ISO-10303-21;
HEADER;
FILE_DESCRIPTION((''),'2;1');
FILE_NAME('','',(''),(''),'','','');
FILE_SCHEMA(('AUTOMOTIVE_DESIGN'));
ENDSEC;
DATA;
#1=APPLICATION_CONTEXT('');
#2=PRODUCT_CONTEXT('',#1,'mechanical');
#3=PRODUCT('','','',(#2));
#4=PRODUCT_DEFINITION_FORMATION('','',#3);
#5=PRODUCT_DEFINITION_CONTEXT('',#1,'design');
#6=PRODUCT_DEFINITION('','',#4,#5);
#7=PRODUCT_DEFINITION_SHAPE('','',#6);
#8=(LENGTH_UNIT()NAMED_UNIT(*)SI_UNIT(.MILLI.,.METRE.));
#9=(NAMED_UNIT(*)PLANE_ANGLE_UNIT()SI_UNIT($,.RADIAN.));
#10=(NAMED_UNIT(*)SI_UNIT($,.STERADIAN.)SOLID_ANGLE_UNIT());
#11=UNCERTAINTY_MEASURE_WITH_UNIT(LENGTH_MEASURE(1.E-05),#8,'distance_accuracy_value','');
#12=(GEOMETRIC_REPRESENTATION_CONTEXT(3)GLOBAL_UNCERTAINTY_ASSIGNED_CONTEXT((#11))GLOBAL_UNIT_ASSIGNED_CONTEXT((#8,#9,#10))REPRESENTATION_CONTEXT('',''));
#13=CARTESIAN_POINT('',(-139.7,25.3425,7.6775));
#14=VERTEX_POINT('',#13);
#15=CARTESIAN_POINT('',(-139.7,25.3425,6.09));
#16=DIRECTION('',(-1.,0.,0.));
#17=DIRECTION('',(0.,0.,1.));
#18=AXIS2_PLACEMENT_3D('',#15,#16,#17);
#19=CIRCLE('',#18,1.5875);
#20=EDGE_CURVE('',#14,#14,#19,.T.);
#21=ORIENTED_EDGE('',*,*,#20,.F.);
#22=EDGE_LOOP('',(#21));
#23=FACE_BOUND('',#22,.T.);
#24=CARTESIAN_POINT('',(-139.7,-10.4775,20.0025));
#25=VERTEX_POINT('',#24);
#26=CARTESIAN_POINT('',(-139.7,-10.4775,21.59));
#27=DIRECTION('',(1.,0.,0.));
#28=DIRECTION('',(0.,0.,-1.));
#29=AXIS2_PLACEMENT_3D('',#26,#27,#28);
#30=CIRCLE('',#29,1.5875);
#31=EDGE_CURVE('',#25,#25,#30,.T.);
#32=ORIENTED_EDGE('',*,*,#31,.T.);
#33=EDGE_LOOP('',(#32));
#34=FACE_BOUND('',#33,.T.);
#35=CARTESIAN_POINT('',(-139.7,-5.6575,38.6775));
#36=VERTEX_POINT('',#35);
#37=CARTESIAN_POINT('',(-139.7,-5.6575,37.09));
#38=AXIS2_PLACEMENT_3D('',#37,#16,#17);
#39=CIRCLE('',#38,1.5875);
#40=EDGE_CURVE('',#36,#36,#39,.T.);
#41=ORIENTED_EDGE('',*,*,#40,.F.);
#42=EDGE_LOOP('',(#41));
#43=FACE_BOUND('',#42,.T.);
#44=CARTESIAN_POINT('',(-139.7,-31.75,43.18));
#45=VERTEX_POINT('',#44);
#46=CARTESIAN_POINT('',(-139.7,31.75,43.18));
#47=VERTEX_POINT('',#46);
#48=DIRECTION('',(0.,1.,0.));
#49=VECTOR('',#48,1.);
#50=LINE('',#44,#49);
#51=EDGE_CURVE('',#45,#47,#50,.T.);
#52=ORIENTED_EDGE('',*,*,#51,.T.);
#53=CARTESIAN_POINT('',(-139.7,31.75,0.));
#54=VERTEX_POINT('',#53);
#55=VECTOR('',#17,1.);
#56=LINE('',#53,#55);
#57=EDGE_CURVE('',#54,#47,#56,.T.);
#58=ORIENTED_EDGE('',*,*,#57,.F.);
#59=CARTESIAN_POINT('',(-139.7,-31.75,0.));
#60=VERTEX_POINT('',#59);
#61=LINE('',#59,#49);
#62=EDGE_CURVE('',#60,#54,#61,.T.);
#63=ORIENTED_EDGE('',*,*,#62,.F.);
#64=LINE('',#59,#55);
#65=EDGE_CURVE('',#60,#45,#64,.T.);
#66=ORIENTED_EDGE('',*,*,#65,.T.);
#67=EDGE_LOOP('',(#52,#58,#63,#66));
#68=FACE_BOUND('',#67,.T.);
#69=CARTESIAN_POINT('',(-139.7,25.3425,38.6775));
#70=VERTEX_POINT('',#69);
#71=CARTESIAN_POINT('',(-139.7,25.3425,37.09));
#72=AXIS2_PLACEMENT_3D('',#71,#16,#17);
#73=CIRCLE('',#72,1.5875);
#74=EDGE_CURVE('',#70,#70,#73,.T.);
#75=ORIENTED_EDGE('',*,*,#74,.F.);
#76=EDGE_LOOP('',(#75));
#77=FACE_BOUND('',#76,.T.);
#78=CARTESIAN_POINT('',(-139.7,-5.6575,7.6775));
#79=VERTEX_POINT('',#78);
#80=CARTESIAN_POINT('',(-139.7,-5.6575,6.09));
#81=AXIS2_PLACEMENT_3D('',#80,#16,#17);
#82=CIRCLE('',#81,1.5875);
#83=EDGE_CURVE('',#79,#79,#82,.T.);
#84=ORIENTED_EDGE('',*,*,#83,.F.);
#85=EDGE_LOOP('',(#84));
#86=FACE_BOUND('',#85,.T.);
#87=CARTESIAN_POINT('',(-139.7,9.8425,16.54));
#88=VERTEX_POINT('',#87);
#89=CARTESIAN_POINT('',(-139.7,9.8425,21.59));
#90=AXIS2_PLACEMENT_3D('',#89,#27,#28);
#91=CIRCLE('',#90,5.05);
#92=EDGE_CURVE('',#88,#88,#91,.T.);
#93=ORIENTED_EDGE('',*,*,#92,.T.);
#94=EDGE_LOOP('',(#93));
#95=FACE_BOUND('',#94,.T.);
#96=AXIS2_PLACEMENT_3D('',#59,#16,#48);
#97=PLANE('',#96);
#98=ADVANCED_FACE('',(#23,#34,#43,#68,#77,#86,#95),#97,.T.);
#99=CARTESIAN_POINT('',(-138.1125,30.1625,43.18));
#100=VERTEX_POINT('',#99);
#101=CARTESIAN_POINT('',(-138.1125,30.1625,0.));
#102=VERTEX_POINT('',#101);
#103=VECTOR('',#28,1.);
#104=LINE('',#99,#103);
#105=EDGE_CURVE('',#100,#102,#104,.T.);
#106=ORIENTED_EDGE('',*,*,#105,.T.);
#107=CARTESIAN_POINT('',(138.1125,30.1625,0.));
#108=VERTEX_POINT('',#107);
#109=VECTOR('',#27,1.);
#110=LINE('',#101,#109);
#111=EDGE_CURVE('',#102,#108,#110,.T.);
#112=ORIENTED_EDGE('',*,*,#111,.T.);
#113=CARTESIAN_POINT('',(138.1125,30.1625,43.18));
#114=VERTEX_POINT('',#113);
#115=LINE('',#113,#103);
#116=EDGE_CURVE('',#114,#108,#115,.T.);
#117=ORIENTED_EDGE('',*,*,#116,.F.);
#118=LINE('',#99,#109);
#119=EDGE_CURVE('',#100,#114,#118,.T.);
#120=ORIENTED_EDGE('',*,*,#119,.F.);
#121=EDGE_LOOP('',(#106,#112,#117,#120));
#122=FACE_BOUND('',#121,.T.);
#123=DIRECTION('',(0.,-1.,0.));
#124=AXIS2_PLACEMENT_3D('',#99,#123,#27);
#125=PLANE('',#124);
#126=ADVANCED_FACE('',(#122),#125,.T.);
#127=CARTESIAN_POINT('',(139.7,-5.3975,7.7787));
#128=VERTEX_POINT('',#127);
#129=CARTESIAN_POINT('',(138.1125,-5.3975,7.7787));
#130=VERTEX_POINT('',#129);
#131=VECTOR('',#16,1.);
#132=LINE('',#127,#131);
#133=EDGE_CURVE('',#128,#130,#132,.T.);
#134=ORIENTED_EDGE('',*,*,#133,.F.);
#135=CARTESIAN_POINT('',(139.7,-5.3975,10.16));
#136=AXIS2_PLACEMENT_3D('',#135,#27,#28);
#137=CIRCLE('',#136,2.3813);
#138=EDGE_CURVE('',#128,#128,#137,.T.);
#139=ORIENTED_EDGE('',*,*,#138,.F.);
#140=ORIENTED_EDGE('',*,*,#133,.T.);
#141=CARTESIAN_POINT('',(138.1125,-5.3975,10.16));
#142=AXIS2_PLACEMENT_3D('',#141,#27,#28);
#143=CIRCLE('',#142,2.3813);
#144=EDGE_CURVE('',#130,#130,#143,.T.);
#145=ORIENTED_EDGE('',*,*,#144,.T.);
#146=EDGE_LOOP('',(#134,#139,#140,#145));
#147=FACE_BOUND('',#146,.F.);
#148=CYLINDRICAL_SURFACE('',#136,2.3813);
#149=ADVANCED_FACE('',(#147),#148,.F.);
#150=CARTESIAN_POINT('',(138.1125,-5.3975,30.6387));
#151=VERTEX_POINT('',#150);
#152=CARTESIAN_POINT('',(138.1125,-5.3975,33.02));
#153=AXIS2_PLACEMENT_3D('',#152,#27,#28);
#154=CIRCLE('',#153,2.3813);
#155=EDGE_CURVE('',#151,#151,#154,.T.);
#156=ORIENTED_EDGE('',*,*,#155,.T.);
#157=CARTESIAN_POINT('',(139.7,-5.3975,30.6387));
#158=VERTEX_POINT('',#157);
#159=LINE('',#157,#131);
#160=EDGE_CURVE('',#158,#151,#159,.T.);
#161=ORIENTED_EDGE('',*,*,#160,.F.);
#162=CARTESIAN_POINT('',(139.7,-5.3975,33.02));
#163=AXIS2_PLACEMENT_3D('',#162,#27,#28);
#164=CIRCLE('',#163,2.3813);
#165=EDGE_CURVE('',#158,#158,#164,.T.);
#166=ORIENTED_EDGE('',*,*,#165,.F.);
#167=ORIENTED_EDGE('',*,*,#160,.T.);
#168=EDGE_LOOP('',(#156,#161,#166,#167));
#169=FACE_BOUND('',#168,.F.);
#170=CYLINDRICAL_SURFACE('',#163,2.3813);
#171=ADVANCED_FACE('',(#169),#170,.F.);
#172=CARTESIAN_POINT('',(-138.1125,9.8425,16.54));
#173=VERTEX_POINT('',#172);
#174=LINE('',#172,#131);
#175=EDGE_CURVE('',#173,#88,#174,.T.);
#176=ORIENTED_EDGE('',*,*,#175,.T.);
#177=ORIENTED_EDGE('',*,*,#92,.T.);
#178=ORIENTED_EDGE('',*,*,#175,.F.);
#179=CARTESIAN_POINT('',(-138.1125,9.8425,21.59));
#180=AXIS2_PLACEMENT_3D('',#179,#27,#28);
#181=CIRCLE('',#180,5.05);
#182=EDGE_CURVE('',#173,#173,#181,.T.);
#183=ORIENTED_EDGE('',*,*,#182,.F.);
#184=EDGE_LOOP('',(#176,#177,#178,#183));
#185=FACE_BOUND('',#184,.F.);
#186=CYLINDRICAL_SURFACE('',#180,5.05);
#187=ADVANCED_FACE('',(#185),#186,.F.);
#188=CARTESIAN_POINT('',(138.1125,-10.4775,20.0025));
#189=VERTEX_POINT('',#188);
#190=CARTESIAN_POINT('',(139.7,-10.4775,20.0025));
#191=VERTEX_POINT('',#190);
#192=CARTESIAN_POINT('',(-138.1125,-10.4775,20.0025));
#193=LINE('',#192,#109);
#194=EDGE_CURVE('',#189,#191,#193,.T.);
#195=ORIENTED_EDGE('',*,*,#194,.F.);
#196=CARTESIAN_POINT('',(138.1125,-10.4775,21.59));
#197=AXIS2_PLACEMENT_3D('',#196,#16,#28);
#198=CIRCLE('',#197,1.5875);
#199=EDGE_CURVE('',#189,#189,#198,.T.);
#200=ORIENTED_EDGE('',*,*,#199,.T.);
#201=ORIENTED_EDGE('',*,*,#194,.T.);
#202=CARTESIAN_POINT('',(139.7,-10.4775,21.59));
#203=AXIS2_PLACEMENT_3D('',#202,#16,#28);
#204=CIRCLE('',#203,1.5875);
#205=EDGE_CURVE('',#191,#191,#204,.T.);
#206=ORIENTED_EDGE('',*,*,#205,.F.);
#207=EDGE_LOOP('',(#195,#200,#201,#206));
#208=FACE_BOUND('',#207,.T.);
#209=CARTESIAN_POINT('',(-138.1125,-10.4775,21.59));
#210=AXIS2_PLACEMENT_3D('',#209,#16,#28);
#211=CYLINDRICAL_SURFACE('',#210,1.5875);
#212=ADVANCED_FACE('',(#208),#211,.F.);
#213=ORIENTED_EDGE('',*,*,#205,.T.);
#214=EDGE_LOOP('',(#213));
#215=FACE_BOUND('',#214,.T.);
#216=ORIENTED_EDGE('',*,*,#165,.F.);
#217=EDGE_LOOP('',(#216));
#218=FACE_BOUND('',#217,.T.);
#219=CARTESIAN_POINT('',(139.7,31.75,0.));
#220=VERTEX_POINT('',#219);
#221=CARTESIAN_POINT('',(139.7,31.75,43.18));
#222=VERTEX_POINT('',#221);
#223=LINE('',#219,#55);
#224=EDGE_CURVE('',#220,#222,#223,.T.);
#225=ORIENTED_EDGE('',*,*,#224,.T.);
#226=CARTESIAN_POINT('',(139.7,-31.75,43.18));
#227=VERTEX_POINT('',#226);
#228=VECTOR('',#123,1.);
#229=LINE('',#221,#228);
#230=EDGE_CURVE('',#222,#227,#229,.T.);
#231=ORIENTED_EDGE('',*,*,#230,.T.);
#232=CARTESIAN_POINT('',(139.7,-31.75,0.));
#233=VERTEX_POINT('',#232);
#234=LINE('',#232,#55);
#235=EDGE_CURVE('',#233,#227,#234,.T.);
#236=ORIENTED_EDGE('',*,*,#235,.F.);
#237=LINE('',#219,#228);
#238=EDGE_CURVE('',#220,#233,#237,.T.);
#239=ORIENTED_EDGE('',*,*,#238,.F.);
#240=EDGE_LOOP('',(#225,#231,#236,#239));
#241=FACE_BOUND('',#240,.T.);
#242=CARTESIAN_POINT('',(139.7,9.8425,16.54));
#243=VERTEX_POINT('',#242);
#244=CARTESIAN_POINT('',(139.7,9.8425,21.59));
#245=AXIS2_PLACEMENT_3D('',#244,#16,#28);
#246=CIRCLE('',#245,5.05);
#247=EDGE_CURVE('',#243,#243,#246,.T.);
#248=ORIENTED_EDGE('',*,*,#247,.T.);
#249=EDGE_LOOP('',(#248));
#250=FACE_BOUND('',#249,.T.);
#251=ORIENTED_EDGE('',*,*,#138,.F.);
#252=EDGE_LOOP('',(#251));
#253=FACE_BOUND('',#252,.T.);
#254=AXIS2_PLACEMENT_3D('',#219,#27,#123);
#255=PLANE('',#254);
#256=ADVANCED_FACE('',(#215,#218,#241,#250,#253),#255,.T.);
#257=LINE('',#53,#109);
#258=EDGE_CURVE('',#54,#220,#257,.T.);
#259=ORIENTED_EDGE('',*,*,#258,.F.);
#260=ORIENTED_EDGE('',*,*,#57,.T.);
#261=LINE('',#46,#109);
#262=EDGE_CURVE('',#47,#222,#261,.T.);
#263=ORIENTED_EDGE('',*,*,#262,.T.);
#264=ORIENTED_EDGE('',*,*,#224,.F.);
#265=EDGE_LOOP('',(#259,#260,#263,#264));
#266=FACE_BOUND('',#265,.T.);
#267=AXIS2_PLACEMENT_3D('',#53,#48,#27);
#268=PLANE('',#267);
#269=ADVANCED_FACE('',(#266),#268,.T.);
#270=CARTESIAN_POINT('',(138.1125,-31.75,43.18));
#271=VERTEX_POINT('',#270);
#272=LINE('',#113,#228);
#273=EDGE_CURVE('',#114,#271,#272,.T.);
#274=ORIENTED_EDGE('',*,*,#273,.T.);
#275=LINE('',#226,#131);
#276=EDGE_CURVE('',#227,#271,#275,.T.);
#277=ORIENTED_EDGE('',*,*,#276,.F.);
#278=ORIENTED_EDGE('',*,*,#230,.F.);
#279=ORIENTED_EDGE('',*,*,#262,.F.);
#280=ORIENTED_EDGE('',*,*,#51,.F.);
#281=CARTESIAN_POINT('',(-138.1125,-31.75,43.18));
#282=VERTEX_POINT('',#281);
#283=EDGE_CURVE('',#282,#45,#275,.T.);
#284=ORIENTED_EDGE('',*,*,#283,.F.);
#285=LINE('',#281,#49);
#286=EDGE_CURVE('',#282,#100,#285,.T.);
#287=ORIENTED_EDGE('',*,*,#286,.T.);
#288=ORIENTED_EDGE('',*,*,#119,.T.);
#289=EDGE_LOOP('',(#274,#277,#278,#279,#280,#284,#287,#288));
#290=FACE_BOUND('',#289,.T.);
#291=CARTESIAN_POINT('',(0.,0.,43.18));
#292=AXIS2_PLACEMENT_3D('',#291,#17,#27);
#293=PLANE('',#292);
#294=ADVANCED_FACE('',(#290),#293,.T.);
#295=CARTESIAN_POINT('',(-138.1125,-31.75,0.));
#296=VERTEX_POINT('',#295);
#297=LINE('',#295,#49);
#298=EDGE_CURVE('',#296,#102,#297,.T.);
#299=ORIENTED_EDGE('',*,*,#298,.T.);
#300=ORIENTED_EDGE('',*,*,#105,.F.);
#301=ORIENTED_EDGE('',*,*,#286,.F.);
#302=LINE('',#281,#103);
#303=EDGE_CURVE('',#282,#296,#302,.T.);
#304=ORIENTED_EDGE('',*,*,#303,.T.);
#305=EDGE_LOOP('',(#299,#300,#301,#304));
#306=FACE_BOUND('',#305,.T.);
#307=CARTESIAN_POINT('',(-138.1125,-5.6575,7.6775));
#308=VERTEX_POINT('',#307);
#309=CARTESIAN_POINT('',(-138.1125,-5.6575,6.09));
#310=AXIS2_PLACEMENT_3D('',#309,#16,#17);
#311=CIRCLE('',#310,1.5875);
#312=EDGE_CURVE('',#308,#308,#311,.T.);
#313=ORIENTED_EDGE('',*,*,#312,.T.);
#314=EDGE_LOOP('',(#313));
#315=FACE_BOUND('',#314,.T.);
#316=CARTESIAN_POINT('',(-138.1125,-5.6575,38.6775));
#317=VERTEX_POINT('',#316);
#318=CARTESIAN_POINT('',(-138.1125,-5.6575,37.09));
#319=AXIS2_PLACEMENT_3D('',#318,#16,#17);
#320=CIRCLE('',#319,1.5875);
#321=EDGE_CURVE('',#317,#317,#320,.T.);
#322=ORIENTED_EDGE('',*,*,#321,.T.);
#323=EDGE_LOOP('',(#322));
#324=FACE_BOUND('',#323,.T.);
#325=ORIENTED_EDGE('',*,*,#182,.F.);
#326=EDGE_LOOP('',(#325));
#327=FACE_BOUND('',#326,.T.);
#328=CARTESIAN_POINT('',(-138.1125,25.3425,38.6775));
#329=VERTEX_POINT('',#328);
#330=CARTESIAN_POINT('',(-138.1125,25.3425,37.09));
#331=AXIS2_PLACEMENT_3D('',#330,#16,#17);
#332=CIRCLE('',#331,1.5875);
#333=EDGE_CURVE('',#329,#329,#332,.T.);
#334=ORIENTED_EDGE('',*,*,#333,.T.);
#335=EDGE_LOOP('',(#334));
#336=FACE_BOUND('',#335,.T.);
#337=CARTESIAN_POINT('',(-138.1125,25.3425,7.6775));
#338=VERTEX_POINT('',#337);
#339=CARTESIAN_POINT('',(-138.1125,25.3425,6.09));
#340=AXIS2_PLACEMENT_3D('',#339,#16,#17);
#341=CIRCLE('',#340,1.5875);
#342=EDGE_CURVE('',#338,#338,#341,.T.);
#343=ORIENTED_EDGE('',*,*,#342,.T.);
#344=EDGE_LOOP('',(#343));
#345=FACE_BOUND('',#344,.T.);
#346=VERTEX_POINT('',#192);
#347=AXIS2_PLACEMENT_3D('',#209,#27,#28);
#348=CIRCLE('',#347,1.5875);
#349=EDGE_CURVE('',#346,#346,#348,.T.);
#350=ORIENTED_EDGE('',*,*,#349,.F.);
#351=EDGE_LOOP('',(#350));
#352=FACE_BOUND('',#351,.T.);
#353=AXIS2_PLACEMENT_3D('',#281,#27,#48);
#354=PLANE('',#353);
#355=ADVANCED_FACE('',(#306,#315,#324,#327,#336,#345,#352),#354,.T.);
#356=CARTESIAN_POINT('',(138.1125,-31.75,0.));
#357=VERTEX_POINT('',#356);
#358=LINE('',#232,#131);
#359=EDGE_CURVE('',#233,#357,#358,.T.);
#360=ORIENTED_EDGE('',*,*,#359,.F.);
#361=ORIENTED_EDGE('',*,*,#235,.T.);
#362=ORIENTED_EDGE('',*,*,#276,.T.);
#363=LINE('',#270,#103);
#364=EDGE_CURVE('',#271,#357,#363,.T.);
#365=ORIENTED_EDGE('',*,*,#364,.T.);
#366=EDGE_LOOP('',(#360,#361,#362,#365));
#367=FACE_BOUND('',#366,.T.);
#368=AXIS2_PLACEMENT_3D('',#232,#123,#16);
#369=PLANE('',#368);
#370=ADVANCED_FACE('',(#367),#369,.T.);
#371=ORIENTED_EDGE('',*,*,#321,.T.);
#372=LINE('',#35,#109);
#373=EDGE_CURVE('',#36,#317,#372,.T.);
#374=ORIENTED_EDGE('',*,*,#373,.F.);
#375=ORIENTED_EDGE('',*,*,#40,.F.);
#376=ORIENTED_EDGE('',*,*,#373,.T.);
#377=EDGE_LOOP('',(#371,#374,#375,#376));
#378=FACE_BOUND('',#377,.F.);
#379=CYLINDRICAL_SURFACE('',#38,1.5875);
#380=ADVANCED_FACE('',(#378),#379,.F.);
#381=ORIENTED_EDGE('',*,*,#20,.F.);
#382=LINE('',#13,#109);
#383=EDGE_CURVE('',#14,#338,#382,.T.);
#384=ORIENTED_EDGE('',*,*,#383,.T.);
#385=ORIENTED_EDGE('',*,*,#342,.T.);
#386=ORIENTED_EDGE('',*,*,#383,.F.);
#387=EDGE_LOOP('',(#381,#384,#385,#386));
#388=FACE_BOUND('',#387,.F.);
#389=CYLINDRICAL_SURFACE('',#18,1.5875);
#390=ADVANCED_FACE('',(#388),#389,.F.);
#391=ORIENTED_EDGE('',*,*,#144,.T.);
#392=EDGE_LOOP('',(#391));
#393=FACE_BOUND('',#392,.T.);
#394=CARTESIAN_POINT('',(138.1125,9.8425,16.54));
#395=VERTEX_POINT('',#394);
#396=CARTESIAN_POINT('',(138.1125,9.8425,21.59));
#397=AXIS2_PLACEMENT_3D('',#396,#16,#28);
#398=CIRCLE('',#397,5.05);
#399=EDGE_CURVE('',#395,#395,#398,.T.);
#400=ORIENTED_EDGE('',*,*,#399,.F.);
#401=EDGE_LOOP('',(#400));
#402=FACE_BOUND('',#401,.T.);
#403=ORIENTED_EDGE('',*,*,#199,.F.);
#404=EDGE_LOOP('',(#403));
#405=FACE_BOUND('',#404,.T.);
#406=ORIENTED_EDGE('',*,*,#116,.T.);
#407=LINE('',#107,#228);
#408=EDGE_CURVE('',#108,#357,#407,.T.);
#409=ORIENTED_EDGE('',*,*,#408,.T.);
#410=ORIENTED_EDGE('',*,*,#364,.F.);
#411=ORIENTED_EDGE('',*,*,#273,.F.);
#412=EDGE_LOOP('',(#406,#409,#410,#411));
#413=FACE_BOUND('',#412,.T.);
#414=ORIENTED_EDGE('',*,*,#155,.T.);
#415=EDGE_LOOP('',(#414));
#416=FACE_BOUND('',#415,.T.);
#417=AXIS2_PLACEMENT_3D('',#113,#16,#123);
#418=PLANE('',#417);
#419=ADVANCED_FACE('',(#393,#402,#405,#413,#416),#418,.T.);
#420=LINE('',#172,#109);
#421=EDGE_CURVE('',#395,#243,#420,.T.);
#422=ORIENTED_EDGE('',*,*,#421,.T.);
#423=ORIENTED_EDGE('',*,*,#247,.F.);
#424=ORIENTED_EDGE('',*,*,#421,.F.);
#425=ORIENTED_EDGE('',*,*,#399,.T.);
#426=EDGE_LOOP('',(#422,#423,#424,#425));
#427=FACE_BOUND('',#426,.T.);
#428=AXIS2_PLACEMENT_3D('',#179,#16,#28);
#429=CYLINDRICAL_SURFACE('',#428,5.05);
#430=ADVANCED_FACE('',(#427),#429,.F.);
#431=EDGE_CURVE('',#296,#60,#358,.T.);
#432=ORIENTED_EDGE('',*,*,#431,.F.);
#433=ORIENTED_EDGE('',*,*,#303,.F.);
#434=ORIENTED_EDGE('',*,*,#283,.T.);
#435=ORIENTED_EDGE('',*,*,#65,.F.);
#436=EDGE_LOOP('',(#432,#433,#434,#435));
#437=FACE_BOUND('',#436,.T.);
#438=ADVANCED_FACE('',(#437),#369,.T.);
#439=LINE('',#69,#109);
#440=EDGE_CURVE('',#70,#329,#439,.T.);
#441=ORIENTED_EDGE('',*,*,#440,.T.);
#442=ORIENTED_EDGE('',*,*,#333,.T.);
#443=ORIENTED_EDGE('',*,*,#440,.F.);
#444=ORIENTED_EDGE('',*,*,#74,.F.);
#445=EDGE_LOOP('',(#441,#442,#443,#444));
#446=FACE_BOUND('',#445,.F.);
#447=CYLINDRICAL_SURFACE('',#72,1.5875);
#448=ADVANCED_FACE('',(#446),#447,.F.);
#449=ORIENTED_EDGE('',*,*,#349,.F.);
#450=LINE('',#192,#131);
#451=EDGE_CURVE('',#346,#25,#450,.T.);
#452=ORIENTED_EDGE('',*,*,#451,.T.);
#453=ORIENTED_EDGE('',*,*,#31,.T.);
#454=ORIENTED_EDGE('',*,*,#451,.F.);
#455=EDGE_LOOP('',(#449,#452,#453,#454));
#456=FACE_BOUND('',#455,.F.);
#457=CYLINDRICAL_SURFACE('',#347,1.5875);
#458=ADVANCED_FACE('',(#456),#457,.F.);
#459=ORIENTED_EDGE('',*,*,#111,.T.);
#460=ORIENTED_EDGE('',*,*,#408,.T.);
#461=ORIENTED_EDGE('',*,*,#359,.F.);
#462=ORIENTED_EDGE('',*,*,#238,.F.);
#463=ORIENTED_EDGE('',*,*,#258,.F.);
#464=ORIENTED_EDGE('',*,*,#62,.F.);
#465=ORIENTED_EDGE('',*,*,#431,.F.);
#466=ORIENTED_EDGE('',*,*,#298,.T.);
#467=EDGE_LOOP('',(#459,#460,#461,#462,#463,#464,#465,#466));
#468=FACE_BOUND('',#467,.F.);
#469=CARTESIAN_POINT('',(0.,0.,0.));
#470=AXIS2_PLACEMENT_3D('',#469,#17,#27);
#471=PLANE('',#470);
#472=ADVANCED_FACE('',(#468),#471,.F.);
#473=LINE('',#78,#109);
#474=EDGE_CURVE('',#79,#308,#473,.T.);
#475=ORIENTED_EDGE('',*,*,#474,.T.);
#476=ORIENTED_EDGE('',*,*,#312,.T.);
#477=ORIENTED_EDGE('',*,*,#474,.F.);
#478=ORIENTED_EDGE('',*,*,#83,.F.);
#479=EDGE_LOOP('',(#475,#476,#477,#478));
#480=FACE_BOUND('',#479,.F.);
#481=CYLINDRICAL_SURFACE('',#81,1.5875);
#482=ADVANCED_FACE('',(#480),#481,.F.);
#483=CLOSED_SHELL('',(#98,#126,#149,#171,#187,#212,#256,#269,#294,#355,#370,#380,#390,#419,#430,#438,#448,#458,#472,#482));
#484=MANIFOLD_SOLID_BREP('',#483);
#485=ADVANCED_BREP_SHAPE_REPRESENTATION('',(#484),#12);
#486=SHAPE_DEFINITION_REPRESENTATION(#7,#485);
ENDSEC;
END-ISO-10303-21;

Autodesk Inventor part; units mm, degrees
ref_plane "YZ Plane" through (0, 0, 0) normal (1, 0, 0) x (0, 1, 0)
ref_plane "XZ Plane" through (0, 0, 0) normal (0, 1, 0) x (-1, 0, 0)
ref_plane "XY Plane" through (0, 0, 0) normal (0, 0, 1) x (1, 0, 0)
sketch "Sketch1" plane through (0, 0, 0) normal (0, 0, 1) x (1, 0, 0)
  line L0 (-139.7, 31.75) -> (139.7, 31.75)
  line L1 (139.7, 31.75) -> (139.7, -31.75)
  line L2 (139.7, -31.75) -> (-139.7, -31.75)
  line L3 (-139.7, -31.75) -> (-139.7, 31.75)
  point P0 (0, 0)
  point P1 (0, 31.75)
  point P2 (139.7, 0)
  dimension "d0" = 279.4
  dimension "d1" = 63.5
extrude "Extrusion1" add sketch "Sketch1" along normal blind 43.18
sketch "Sketch2" plane through (0, 0, 43.18) normal (0, 0, 1) x (1, 0, 0)
  line L0 (-139.7, -31.75) -> (139.7, -31.75) projected
  line L1 (-138.1125, 30.1625) -> (138.1125, 30.1625)
  line L2 (138.1125, 30.1625) -> (138.1125, -31.75)
  line L3 (138.1125, -31.75) -> (-138.1125, -31.75)
  line L4 (-138.1125, -31.75) -> (-138.1125, 30.1625)
  line L5 (139.7, -31.75) -> (139.7, 31.75) projected
  line L6 (139.7, 31.75) -> (-139.7, 31.75) projected
  line L7 (-139.7, 31.75) -> (-139.7, -31.75) projected
  point P0 (0, 0)
  point P1 (-138.1125, -31.75)
  dimension "d4" = 1.5875
  dimension "d5" = 1.5875
  dimension "d6" = 1.5875
extrude "Extrusion2" cut sketch "Sketch2" against normal up to surface (43.18 mm away) contours L4 L1 L2 L0
sketch "Sketch3" plane through (-138.1125, -31.75, 43.18) normal (1, 0, 0) x (0, 0, -1)
  circle A0 centre (21.59, 41.5925) radius 5.05
  line L0 (0, 61.9125) -> (43.18, 61.9125) projected
  circle A1 centre (21.59, 21.2725) radius 1.5875
  line L1 (43.18, 63.5) -> (0, 63.5) projected
  point P0 (43.18, 31.75)
  point P1 (21.59, 63.5)
  dimension "d9" = 10.1
  dimension "d10" = 20.32
  dimension "d13" = 3.175
  dimension "d15" = 20.32
extrude "Extrusion3" cut sketch "Sketch3" along normal through all both and the other way through all
sketch "Sketch4" plane through (139.7, -31.75, 0) normal (1, 0, 0) x (0, 0, -1)
  circle A0 centre (-10.16, 26.3525) radius 2.3813
  line L0 (0, 63.5) -> (-43.18, 63.5) construction
  line L1 (-21.59, 63.5) -> (-21.59, -3.1611) construction
  line L2 (0, 0) -> (0, 63.5) projected
  circle A1 centre (-21.59, 41.5925) radius 5.05 projected
  circle A2 centre (-33.02, 26.3525) radius 2.3813
  point P0 (0, 31.75)
  dimension "d16" = 10.16
  dimension "d17" = 15.24
  dimension "d18" = 4.7625
extrude "Extrusion4" cut sketch "Sketch4" against normal up to surface (1.5875 mm away) contours A0 | A2
sketch "Sketch5" plane through (-139.7, -31.75, 0) normal (-1, 0, 0) x (0, 0, 1)
  circle A0 centre (21.59, 41.5925) radius 5.05 construction
  line L0 (21.59, 41.5925) -> (21.59, 66.4825) construction
  line L1 (21.59, 41.5925) -> (51.2225, 41.5925) construction
  circle A1 centre (37.09, 57.0925) radius 1.5875
  circle A2 centre (6.09, 57.0925) radius 1.5875
  circle A3 centre (37.09, 26.0925) radius 1.5875
  circle A4 centre (6.09, 26.0925) radius 1.5875
  point P0 (0, 31.75)
  dimension "d21" = 3.175
  dimension "d22" = 15.5
  dimension "d23" = 15.5
extrude "Extrusion5" cut sketch "Sketch5" against normal up to surface (1.5875 mm away)
properties part number "Bracket"
